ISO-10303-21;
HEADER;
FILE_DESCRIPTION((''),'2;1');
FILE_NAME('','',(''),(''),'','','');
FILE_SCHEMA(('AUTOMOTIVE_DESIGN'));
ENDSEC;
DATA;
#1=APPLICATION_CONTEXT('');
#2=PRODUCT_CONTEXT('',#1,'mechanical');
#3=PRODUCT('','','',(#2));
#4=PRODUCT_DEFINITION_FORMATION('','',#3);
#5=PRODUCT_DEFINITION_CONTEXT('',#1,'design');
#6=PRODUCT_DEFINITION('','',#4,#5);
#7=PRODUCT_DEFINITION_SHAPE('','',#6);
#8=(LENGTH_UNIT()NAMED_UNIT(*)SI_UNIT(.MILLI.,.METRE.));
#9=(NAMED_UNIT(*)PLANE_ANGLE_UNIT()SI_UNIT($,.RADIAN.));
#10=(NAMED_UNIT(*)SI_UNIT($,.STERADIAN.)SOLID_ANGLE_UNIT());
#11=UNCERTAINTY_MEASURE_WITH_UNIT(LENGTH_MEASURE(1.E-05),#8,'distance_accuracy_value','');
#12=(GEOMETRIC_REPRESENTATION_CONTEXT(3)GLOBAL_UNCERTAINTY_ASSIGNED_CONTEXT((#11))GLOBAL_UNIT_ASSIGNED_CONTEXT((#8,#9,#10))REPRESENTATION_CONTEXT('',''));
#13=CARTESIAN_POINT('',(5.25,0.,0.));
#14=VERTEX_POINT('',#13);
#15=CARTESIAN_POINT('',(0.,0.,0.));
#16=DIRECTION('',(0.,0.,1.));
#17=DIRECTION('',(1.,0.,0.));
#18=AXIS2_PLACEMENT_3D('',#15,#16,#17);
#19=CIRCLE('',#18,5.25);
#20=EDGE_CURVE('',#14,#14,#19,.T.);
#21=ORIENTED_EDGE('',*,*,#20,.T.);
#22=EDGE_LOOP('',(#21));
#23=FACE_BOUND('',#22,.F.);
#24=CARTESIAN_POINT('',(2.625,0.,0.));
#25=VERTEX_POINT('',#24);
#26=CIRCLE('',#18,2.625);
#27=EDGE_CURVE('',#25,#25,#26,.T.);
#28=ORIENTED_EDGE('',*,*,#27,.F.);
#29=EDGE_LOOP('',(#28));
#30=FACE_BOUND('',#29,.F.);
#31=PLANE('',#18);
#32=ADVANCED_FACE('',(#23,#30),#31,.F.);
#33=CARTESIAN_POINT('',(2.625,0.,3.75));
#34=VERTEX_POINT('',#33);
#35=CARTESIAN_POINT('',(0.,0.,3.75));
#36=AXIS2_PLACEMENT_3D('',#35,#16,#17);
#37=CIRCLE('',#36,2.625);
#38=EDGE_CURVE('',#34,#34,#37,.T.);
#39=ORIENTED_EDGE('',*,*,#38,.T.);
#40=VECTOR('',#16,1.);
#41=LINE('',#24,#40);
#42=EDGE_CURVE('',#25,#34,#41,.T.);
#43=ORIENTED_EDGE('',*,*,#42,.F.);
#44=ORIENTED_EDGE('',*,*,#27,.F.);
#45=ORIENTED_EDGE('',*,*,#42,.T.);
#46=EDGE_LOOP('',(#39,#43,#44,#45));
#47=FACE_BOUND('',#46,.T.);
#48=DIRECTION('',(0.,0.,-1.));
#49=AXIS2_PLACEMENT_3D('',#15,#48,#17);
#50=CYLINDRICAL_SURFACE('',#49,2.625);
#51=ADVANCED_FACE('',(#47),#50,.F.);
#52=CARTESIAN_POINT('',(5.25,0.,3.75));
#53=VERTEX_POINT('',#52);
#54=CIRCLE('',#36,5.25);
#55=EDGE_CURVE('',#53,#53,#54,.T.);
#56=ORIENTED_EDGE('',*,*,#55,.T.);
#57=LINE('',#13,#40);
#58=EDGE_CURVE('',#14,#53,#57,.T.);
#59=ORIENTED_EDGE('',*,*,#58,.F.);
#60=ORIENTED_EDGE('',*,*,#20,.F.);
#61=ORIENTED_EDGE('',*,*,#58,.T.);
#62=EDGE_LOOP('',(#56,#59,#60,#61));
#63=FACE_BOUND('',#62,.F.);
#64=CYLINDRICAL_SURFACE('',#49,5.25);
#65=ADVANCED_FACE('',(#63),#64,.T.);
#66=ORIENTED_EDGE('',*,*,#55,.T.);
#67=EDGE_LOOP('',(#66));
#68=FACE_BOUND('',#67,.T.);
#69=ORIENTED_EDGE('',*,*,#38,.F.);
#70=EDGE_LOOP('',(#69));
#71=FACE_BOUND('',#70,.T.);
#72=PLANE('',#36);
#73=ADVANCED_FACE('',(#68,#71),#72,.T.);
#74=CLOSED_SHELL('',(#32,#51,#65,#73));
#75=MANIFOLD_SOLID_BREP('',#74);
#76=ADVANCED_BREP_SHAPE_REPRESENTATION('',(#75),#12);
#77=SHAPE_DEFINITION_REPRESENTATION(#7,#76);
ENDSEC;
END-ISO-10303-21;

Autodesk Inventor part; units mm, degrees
ref_plane "YZ Plane" through (0, 0, 0) normal (1, 0, 0) x (0, 1, 0)
ref_plane "XZ Plane" through (0, 0, 0) normal (0, 1, 0) x (-1, 0, 0)
ref_plane "XY Plane" through (0, 0, 0) normal (0, 0, 1) x (1, 0, 0)
sketch "Sketch1" plane through (0, 0, 0) normal (0, 0, 1) x (1, 0, 0)
  circle A0 centre (0, 0) radius 2.625
  circle A1 centre (0, 0) radius 5.25
  dimension "d0" = 10.5
  dimension "d3" = 5.25
extrude "Extrusion1" add sketch "Sketch1" along normal blind 3.75
properties part number "PULLEY SPACER"
